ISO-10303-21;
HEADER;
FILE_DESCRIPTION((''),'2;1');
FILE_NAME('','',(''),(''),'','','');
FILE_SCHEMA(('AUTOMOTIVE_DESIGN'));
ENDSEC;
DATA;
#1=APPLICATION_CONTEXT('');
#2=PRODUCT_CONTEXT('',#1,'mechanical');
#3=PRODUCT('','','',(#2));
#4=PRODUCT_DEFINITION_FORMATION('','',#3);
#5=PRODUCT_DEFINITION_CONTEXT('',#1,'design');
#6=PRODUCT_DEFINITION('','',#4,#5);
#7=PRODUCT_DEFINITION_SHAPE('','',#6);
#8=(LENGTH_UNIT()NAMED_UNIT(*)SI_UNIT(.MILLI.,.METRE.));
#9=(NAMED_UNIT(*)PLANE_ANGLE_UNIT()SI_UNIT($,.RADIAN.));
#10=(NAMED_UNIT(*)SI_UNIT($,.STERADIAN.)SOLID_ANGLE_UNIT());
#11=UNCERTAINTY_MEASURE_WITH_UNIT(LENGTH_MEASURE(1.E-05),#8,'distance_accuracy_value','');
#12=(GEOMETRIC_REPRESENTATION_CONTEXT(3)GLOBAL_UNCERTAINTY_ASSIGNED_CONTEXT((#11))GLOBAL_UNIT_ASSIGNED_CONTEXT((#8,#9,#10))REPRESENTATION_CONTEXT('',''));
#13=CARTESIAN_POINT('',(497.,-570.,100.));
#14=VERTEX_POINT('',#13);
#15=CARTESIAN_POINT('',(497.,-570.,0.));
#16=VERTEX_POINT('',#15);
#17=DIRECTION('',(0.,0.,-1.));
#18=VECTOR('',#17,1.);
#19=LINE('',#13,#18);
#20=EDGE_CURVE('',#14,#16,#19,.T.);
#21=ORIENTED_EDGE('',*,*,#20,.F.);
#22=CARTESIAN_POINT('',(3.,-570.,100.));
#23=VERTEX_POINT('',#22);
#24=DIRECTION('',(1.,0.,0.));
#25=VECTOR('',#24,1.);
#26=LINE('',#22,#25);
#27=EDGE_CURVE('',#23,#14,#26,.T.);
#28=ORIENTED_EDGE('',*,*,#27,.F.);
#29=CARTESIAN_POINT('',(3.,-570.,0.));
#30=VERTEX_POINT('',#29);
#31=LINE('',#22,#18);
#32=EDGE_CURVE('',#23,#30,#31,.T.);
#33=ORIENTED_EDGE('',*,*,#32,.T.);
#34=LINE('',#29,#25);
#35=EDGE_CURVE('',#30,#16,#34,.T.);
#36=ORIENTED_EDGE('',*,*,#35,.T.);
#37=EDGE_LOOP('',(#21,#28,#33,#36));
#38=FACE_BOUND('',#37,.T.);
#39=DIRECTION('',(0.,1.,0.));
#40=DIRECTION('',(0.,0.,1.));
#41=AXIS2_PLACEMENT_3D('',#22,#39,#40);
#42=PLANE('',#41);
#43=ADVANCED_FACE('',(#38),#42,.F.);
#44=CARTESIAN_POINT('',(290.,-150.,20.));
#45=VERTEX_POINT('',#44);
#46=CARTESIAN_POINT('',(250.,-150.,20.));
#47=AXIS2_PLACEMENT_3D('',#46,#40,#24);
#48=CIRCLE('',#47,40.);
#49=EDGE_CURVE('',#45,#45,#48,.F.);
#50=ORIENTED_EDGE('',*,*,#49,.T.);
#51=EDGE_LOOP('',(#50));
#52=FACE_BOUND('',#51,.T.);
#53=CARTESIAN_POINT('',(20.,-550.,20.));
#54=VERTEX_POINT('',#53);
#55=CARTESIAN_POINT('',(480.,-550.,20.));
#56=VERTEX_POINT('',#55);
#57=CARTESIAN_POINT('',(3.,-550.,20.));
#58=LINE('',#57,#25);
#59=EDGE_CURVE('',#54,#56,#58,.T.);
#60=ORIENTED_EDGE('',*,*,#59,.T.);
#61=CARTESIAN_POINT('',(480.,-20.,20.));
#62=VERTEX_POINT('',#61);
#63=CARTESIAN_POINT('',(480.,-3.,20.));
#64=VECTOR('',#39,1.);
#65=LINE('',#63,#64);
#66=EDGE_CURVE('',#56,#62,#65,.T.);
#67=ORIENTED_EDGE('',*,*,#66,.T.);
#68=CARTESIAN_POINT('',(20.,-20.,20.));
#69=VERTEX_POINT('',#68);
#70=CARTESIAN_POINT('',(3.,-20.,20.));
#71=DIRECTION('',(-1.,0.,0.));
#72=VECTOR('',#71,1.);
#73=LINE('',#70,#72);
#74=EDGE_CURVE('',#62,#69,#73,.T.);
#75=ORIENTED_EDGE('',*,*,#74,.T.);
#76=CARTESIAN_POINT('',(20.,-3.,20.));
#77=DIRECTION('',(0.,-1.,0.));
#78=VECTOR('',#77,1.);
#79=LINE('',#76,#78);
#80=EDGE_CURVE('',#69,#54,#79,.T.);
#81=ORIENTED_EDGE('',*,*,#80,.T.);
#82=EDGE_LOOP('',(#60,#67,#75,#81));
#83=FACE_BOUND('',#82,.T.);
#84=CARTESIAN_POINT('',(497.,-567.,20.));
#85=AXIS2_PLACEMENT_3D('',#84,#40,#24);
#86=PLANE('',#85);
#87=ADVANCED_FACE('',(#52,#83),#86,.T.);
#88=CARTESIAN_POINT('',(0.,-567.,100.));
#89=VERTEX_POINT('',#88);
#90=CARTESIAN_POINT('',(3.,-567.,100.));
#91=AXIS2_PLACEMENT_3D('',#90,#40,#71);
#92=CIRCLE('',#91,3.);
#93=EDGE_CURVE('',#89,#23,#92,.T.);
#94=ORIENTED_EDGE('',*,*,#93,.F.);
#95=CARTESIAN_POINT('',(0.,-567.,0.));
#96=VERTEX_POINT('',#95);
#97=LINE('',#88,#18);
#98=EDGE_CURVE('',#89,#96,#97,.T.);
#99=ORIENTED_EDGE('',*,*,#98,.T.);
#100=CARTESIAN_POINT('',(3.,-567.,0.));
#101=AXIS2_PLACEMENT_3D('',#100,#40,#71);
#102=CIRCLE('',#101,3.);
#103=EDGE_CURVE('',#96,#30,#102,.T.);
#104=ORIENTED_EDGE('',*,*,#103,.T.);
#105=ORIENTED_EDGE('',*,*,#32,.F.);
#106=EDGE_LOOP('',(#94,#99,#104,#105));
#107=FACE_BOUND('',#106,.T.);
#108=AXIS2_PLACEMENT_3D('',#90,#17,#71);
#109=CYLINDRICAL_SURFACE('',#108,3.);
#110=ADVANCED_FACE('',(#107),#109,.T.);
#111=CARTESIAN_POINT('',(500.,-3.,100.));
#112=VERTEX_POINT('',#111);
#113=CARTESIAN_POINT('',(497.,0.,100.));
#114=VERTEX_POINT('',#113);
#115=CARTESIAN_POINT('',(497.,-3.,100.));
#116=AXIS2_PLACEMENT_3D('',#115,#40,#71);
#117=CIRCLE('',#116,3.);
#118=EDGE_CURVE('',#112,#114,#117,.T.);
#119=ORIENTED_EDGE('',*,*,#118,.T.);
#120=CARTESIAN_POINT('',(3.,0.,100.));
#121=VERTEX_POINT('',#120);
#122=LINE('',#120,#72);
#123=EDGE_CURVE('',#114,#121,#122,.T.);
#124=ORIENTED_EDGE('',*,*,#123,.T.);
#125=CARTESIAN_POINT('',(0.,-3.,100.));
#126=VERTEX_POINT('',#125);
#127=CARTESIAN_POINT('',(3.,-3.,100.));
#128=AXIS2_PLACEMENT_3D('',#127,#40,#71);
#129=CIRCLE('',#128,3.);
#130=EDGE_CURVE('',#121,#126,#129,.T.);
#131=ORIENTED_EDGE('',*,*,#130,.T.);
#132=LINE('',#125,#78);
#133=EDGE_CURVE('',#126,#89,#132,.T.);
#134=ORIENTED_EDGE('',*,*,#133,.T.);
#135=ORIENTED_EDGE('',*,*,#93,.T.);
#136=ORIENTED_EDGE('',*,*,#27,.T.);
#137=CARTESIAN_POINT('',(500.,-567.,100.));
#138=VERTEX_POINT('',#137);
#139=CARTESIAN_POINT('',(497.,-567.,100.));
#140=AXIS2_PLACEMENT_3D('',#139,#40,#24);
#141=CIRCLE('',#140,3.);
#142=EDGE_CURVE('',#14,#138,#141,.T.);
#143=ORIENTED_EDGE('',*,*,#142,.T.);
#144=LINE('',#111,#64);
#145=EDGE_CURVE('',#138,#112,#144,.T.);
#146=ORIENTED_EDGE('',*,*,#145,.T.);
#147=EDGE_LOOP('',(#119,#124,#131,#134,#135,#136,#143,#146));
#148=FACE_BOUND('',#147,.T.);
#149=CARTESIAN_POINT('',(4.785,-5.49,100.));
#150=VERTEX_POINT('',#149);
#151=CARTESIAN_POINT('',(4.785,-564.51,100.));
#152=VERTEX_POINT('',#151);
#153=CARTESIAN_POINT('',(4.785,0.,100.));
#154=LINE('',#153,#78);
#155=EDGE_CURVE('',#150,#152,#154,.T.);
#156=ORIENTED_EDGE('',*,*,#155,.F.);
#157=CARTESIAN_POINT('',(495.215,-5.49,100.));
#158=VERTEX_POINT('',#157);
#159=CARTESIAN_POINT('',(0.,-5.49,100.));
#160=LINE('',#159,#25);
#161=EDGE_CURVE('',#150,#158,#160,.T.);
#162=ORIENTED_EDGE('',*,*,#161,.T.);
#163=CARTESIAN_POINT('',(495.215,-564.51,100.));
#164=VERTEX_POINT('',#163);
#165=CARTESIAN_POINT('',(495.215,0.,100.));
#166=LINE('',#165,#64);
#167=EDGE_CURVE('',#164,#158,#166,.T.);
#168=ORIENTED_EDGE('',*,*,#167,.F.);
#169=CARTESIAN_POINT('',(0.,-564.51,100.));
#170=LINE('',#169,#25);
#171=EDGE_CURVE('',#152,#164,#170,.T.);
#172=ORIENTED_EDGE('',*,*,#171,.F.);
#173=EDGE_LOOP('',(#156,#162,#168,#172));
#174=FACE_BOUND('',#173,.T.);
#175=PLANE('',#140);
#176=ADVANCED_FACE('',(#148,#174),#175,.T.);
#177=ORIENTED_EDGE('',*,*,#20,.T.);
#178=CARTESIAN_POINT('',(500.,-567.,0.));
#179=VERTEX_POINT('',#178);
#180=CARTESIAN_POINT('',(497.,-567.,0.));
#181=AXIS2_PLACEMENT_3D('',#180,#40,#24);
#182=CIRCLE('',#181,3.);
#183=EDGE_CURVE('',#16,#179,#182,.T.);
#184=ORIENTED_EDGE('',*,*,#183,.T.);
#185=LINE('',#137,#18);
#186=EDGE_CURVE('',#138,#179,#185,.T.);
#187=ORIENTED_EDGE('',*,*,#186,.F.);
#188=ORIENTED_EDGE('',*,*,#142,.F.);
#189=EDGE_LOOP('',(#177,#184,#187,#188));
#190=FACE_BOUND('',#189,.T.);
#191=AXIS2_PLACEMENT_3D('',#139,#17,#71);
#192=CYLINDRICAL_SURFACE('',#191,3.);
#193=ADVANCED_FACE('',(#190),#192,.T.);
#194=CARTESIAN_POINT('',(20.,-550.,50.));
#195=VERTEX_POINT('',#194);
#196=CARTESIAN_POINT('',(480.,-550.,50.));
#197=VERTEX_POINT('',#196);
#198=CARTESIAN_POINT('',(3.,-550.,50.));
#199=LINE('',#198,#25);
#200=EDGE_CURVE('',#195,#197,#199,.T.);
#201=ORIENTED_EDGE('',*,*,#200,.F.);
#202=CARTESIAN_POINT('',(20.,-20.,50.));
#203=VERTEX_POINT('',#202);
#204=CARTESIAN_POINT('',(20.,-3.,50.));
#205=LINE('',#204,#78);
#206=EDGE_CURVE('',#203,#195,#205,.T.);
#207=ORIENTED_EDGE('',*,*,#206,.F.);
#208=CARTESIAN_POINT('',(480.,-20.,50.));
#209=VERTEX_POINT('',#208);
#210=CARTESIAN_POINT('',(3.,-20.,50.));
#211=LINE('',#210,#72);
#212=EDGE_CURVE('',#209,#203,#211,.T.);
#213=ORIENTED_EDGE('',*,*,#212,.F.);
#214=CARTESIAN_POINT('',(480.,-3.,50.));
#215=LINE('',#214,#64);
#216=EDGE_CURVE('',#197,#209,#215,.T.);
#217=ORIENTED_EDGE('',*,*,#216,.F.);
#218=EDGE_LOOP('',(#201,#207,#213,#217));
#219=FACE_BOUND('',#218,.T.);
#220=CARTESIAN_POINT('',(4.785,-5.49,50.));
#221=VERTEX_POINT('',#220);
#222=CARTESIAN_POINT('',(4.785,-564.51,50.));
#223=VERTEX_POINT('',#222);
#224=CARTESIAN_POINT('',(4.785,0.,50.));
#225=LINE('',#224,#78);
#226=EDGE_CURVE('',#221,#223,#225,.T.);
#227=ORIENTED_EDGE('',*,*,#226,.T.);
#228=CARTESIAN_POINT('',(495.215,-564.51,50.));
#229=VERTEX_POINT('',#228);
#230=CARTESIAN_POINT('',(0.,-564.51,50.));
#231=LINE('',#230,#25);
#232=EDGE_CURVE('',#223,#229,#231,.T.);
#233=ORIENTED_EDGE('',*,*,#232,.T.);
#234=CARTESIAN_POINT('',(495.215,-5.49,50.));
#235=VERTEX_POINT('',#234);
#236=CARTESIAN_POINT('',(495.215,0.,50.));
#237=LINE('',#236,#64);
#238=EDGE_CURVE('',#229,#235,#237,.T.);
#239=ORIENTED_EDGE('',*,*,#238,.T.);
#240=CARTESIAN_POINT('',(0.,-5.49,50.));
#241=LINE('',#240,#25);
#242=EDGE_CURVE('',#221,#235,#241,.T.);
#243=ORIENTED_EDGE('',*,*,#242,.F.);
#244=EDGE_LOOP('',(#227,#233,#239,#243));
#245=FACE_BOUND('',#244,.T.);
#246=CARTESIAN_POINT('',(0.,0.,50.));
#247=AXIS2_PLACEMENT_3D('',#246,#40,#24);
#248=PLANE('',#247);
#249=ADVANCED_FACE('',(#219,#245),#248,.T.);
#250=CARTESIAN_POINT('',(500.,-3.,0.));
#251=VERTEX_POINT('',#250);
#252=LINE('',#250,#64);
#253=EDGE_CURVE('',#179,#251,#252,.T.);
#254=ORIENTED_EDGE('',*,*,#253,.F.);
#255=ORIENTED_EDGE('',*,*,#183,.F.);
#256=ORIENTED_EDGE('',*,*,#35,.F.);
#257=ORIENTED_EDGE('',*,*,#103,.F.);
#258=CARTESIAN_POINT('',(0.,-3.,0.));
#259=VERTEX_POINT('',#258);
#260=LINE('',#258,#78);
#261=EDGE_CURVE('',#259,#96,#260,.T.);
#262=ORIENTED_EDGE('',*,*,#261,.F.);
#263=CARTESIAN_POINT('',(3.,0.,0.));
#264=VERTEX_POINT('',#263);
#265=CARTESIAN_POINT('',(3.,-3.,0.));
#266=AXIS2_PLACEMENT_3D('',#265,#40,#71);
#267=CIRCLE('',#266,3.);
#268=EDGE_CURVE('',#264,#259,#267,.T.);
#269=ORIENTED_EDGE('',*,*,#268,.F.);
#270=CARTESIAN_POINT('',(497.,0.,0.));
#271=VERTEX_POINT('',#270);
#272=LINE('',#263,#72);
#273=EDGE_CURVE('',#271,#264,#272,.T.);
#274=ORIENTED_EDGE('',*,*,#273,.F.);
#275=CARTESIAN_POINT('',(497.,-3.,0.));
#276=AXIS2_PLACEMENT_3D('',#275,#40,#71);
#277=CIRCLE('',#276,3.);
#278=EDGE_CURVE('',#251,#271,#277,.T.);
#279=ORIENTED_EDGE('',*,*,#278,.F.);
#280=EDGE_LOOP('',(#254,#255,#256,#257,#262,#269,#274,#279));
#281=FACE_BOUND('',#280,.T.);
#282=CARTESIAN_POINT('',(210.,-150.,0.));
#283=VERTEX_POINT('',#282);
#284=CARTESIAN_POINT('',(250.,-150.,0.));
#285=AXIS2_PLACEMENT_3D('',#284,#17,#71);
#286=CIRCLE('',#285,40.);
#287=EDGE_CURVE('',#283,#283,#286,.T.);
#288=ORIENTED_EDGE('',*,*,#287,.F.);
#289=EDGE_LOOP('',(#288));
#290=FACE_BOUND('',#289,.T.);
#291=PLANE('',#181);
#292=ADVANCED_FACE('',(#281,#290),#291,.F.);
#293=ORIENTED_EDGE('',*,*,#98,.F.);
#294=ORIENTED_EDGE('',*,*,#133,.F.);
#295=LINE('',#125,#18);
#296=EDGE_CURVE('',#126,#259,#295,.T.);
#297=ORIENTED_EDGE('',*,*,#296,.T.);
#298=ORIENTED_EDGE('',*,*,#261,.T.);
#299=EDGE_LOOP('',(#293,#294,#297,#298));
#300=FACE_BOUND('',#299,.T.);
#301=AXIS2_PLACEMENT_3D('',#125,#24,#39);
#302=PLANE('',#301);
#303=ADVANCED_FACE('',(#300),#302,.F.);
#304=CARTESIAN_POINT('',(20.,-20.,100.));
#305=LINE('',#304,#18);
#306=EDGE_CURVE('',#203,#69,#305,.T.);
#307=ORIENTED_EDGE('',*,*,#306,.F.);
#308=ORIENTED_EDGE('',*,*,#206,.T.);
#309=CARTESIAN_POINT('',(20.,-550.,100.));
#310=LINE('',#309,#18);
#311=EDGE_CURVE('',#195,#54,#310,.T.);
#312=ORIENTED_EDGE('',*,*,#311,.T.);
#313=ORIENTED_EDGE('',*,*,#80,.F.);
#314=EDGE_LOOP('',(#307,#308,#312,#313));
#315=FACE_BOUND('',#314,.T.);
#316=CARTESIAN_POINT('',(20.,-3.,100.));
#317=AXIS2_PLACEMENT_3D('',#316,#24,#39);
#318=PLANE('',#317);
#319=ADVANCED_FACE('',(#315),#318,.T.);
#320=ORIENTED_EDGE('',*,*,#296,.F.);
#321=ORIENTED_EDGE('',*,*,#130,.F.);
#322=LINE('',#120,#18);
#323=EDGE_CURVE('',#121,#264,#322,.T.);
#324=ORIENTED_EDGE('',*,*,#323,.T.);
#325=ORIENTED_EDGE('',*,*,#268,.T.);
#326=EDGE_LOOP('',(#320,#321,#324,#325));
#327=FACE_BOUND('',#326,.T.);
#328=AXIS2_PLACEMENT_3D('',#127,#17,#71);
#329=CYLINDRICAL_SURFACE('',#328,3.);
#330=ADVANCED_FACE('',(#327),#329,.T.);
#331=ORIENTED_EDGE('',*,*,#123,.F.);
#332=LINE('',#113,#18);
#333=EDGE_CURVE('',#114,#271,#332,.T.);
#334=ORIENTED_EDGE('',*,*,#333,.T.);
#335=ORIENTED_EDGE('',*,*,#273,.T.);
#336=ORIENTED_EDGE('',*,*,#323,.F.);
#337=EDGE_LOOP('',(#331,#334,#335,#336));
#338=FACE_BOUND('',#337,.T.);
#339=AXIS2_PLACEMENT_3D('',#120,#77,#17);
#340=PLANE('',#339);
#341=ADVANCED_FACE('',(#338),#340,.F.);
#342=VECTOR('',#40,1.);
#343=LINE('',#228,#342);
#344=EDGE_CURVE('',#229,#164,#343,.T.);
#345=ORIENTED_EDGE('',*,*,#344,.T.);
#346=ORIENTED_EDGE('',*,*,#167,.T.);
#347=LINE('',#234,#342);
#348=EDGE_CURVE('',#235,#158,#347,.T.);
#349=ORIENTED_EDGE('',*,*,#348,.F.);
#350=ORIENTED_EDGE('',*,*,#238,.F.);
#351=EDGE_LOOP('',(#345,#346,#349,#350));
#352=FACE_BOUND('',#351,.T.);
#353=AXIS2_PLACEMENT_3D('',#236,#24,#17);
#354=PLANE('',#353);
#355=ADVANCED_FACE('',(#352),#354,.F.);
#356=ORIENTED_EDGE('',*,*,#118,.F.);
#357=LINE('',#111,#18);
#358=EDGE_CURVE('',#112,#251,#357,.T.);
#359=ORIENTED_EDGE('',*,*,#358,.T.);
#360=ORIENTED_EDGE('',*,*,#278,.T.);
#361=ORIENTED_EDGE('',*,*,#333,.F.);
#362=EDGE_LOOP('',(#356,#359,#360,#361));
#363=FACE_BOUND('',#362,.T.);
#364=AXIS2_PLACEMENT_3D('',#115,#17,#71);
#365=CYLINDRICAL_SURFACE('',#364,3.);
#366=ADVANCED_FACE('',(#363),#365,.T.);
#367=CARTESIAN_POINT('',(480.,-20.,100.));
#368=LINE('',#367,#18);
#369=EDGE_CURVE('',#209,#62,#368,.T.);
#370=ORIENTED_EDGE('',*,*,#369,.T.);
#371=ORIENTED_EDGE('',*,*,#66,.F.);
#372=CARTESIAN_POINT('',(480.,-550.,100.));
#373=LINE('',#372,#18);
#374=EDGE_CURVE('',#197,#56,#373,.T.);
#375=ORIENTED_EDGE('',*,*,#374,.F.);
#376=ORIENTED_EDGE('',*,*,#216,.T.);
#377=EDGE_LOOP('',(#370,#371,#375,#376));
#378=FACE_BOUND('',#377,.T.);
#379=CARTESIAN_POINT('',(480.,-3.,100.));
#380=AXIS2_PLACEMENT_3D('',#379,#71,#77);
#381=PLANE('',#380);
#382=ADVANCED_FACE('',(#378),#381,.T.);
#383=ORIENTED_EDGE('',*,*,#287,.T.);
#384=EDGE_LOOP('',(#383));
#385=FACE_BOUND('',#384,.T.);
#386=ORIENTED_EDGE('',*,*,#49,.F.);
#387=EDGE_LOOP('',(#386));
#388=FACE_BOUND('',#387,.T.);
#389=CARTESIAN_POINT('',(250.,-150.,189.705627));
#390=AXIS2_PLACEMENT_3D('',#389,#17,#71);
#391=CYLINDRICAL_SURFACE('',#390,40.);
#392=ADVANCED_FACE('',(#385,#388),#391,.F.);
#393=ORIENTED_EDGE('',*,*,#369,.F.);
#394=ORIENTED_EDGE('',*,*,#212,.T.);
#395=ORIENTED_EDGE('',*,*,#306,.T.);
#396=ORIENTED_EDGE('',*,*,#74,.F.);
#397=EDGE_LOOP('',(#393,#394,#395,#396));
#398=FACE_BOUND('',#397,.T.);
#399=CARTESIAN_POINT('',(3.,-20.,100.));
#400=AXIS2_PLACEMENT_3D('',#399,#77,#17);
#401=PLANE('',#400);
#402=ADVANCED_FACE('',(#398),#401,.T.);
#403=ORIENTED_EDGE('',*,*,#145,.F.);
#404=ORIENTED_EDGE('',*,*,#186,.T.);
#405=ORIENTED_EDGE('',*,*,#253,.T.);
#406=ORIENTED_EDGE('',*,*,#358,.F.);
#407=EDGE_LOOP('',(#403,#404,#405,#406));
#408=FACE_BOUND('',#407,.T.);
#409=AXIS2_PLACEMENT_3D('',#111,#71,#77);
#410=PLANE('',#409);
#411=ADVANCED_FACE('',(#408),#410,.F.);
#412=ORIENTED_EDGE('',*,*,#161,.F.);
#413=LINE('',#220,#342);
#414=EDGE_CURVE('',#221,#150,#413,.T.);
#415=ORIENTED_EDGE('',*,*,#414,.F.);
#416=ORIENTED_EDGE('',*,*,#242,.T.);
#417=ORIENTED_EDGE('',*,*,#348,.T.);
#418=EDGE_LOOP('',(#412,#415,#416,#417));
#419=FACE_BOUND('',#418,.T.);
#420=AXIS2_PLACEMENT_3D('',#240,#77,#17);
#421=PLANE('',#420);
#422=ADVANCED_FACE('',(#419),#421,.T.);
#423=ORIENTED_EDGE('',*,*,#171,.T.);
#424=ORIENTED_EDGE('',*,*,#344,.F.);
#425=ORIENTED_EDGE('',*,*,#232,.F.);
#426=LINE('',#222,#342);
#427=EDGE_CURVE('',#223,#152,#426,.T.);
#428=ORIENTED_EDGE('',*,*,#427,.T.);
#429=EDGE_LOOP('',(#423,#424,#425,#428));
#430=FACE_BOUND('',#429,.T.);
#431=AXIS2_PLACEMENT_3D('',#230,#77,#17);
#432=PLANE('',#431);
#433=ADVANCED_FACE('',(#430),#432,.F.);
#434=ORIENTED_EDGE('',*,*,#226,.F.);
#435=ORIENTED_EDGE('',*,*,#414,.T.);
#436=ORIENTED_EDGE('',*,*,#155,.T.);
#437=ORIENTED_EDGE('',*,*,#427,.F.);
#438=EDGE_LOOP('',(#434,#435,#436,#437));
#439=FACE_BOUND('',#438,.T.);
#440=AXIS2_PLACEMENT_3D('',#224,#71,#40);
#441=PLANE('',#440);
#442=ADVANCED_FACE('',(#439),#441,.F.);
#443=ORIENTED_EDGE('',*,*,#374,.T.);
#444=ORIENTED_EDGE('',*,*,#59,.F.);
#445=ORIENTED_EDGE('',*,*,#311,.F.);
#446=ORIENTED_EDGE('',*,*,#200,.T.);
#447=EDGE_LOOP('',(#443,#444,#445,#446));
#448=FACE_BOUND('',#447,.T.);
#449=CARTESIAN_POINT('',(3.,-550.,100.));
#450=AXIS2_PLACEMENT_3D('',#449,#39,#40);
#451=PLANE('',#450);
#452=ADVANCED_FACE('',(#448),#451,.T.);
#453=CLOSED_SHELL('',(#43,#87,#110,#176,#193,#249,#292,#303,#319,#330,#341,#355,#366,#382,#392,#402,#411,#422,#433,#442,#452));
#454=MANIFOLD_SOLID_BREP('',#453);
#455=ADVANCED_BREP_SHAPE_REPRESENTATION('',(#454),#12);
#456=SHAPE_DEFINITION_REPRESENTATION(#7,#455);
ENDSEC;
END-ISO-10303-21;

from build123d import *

# Parameters (mm, degrees)
EXTRUDE_1_DEPTH     = 100
SHELL_1_T           = -20
CUT_EXTRUDE_1_DEPTH = 50
SKETCH_3_R          = 60
CUT_EXTRUDE_2_DEPTH = 50
SKETCH_5_R          = 60
SKETCH_5_R_2        = 40
EXTRUDE_2_DEPTH     = 20


with BuildPart() as part:
    # 草图1 → 凸台-拉伸1 (new body)
    with BuildSketch(Plane.XY):
        with BuildLine():
            Line((3, 0), (497, 0))
            ThreePointArc((497, 0), (499.121320344, -0.878679656), (500, -3))
            Line((500, -3), (500, -567))
            ThreePointArc((500, -567), (499.121320344, -569.121320344), (497, -570))
            Line((497, -570), (3, -570))
            ThreePointArc((3, -570), (0.878679656, -569.121320344), (0, -567))
            Line((0, -567), (0, -3))
            ThreePointArc((0, -3), (0.878679656, -0.878679656), (3, 0))
        make_face()
    extrude(amount=EXTRUDE_1_DEPTH)

    # 抽壳1
    shell_1_openings = [part.faces().sort_by_distance(p)[0] for p in [
        (250, -285, 100),
    ]]
    offset(amount=SHELL_1_T, openings=shell_1_openings, kind=Kind.INTERSECTION)

    # 草图2 → 切除-拉伸1 (cut)
    with BuildSketch(Plane.XY.offset(100)):
        Polygon((4.785, -5.49), (495.215, -5.49), (495.215, -20), (495.215, -550), (495.215, -564.51), (4.785, -564.51), (4.785, -550), (4.785, -20), align=None)
    extrude(amount=-CUT_EXTRUDE_1_DEPTH, mode=Mode.SUBTRACT)

    # 草图3 → 切除-拉伸2 (cut)
    with BuildSketch(Plane(origin=(0, 0, 0), x_dir=(-1, 0, 0), z_dir=(0, 0, -1))):
        with Locations((-250, -150)):
            Circle(SKETCH_3_R)
    extrude(amount=-CUT_EXTRUDE_2_DEPTH, mode=Mode.SUBTRACT)

    # 草图5 → 凸台-拉伸2 (add)
    with BuildSketch(Plane(origin=(0, 0, 0), x_dir=(-1, 0, 0), z_dir=(0, 0, -1))):
        with Locations((-250, -150)):
            Circle(SKETCH_5_R)
        with Locations((-250, -150)):
            Circle(SKETCH_5_R_2, mode=Mode.SUBTRACT)
    extrude(amount=-EXTRUDE_2_DEPTH)


solid = part.part
